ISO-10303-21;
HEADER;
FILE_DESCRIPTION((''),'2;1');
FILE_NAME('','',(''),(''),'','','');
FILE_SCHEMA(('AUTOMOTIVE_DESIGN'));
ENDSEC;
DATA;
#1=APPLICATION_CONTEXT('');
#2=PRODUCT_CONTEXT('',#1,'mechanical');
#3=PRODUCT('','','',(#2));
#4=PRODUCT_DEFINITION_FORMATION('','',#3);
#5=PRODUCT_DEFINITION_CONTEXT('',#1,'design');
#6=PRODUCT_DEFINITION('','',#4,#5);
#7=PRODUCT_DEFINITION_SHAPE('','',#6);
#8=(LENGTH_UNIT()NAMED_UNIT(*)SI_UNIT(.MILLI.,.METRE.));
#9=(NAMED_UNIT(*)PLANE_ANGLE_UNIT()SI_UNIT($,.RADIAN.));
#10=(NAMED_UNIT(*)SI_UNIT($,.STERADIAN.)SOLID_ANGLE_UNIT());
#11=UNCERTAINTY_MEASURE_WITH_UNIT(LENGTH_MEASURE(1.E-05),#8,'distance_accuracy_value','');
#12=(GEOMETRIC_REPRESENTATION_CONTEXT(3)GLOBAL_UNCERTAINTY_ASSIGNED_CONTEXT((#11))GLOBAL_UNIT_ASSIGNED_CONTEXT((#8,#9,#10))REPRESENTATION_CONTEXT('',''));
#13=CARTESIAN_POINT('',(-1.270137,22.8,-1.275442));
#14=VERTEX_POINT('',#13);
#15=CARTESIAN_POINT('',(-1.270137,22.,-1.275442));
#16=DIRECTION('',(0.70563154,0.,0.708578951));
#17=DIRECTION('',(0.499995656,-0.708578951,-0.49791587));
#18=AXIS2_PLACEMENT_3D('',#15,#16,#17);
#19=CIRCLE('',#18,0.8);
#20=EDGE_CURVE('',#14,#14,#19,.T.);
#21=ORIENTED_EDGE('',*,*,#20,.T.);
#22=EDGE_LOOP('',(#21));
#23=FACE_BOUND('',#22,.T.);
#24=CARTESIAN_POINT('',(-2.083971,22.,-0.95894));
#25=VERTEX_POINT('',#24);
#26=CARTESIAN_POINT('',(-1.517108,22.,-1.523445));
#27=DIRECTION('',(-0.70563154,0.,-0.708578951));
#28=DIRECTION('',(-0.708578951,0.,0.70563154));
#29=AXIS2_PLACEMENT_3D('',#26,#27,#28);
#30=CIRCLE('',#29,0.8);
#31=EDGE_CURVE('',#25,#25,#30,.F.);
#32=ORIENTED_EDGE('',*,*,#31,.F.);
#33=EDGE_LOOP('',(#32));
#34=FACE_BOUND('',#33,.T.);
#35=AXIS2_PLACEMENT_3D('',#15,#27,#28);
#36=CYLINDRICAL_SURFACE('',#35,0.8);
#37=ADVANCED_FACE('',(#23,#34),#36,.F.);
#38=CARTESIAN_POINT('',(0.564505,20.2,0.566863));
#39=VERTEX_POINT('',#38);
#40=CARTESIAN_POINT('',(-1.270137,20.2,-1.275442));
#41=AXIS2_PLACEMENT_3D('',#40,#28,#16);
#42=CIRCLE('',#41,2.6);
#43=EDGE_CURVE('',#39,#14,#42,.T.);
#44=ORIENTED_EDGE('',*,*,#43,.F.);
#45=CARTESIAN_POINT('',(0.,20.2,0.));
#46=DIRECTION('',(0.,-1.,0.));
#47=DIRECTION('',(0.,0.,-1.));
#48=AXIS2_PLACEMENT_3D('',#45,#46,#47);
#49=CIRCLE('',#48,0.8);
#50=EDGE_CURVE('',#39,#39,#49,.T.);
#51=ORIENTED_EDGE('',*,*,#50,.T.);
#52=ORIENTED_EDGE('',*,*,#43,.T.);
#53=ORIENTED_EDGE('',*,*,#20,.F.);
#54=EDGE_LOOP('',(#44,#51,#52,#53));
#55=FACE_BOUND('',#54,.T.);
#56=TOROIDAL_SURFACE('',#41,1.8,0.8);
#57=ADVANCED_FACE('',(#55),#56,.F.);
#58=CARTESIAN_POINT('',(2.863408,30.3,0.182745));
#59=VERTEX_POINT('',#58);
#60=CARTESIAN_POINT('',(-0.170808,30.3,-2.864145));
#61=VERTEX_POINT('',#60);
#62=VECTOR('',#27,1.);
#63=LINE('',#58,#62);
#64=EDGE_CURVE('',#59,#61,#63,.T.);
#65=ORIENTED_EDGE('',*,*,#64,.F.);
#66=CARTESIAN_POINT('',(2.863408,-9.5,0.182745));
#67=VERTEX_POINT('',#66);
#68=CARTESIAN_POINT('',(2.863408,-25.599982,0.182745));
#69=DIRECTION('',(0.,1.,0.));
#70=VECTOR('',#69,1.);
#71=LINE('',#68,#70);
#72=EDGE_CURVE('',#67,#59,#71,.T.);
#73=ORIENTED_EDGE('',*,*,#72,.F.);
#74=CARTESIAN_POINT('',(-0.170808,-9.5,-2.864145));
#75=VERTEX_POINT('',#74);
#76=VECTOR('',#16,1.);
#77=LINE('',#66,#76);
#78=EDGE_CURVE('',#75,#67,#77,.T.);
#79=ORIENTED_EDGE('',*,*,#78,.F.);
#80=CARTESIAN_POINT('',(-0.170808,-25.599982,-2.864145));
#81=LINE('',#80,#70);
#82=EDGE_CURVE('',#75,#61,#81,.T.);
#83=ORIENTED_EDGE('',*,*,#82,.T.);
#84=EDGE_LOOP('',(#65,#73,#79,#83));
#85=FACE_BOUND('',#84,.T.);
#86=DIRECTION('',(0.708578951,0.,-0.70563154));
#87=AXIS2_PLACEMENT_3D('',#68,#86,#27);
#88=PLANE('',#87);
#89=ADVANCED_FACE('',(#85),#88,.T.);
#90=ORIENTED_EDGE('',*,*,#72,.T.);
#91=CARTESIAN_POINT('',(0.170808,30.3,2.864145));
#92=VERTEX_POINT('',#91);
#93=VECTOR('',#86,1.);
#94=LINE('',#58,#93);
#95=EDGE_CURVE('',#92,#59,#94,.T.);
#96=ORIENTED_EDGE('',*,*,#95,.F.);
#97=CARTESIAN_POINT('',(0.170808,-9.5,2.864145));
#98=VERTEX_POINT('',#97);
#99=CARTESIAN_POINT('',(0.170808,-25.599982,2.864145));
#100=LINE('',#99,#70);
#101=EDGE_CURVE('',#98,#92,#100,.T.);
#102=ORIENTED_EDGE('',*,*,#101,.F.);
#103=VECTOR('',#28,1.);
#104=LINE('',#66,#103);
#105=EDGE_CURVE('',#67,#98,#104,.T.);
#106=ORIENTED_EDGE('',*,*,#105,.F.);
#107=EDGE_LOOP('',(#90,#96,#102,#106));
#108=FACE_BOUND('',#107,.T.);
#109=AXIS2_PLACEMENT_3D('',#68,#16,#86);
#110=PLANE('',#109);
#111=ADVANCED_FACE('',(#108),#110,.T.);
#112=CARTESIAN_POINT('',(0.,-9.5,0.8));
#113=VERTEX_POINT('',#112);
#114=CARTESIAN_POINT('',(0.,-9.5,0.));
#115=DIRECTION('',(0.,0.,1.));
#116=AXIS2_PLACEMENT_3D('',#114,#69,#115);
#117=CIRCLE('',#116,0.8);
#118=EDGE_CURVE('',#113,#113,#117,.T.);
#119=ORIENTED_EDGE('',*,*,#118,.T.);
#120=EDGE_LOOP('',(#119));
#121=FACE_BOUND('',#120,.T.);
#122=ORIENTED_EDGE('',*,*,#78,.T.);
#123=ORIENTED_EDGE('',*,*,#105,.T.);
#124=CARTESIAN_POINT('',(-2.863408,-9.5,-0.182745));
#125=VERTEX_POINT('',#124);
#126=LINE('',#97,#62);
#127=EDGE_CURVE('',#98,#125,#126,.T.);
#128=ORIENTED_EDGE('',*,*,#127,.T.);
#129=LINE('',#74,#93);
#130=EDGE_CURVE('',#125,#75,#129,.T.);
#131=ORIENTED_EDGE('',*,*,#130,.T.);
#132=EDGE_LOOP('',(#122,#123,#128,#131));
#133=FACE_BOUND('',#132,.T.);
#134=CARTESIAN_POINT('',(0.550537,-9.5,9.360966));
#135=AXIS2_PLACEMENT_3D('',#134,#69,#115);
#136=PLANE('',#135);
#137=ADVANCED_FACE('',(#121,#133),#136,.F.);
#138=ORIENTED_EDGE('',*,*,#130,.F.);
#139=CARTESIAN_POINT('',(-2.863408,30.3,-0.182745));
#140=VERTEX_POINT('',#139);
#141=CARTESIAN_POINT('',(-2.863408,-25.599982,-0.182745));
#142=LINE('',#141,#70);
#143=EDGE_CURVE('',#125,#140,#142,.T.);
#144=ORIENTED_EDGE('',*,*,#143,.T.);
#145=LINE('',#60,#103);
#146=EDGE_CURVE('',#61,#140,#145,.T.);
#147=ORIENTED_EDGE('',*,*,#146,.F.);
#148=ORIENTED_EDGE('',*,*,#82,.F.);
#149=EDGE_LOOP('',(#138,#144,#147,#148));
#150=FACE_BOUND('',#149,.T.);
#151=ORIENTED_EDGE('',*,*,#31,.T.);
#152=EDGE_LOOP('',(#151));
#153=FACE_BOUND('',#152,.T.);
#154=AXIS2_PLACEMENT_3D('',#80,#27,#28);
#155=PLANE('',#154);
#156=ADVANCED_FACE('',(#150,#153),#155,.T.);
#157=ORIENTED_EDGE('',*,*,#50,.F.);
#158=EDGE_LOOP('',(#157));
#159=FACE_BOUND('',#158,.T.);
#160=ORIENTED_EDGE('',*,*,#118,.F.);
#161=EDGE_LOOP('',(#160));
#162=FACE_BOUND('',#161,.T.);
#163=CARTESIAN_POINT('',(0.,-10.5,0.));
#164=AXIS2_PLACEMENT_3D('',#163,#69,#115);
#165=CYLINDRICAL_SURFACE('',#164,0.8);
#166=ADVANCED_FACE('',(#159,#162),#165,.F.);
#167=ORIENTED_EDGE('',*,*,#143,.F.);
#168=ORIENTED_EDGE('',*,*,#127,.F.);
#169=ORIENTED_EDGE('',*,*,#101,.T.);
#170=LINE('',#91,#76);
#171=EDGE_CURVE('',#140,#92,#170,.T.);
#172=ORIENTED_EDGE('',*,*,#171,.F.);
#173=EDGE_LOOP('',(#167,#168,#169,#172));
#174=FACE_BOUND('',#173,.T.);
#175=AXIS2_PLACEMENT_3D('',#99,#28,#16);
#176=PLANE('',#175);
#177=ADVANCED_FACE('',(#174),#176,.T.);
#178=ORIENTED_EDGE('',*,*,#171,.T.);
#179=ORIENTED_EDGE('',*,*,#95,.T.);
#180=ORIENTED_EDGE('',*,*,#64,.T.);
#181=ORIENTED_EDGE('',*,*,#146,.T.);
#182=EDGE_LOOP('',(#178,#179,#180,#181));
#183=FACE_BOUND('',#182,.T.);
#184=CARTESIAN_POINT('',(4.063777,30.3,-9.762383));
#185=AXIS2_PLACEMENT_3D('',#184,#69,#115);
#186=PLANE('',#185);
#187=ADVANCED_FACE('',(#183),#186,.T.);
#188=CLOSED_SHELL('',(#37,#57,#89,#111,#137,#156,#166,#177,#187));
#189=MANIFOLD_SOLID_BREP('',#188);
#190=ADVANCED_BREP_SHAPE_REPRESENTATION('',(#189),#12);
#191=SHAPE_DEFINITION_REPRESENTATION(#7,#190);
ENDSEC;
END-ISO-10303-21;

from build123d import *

# Parameters (mm, degrees)
BOSS_EXTRUDE1_DEPTH      = 30.3
BOSS_EXTRUDE1_DEPTH_BACK = 9.5
SKETCH4_R                = 0.8


with BuildPart() as part:
    # Sketch1 → Boss-Extrude1 (new, two sides: drawn at the far end of the back side and taken through both)
    with BuildSketch(Plane(origin=(0, 0, 0), x_dir=(1, 0, 0), z_dir=(0, 1, 0)).offset(-BOSS_EXTRUDE1_DEPTH_BACK)):
        Polygon((0.170807804, -2.864144671), (-2.863407818, 0.182744818), (-0.170807804, 2.864144671), (2.863407818, -0.182744818), align=None)
    extrude(amount=BOSS_EXTRUDE1_DEPTH + BOSS_EXTRUDE1_DEPTH_BACK)

    # Cut-Sweep1: sweep along a path in Sketch2
    with BuildLine(Plane(origin=(0, 0, 0), x_dir=(0.7056315400669045, 0, 0.7085789509030087), z_dir=(-0.7085789509030087, 0, 0.7056315400669045))) as cut_sweep1_path:
        Line((0, -9.5), (0, 20.2))
        ThreePointArc((0, 20.2), (-0.527207794, 21.472792206), (-1.8, 22))
        Line((-1.8, 22), (-2.25, 22))
    # Sketch4 → Cut-Sweep1 (sweep, cut)
    with BuildSketch(Plane.XZ.offset(9.5)):
        Circle(SKETCH4_R)
    sweep(path=cut_sweep1_path.line, mode=Mode.SUBTRACT)


solid = part.part
